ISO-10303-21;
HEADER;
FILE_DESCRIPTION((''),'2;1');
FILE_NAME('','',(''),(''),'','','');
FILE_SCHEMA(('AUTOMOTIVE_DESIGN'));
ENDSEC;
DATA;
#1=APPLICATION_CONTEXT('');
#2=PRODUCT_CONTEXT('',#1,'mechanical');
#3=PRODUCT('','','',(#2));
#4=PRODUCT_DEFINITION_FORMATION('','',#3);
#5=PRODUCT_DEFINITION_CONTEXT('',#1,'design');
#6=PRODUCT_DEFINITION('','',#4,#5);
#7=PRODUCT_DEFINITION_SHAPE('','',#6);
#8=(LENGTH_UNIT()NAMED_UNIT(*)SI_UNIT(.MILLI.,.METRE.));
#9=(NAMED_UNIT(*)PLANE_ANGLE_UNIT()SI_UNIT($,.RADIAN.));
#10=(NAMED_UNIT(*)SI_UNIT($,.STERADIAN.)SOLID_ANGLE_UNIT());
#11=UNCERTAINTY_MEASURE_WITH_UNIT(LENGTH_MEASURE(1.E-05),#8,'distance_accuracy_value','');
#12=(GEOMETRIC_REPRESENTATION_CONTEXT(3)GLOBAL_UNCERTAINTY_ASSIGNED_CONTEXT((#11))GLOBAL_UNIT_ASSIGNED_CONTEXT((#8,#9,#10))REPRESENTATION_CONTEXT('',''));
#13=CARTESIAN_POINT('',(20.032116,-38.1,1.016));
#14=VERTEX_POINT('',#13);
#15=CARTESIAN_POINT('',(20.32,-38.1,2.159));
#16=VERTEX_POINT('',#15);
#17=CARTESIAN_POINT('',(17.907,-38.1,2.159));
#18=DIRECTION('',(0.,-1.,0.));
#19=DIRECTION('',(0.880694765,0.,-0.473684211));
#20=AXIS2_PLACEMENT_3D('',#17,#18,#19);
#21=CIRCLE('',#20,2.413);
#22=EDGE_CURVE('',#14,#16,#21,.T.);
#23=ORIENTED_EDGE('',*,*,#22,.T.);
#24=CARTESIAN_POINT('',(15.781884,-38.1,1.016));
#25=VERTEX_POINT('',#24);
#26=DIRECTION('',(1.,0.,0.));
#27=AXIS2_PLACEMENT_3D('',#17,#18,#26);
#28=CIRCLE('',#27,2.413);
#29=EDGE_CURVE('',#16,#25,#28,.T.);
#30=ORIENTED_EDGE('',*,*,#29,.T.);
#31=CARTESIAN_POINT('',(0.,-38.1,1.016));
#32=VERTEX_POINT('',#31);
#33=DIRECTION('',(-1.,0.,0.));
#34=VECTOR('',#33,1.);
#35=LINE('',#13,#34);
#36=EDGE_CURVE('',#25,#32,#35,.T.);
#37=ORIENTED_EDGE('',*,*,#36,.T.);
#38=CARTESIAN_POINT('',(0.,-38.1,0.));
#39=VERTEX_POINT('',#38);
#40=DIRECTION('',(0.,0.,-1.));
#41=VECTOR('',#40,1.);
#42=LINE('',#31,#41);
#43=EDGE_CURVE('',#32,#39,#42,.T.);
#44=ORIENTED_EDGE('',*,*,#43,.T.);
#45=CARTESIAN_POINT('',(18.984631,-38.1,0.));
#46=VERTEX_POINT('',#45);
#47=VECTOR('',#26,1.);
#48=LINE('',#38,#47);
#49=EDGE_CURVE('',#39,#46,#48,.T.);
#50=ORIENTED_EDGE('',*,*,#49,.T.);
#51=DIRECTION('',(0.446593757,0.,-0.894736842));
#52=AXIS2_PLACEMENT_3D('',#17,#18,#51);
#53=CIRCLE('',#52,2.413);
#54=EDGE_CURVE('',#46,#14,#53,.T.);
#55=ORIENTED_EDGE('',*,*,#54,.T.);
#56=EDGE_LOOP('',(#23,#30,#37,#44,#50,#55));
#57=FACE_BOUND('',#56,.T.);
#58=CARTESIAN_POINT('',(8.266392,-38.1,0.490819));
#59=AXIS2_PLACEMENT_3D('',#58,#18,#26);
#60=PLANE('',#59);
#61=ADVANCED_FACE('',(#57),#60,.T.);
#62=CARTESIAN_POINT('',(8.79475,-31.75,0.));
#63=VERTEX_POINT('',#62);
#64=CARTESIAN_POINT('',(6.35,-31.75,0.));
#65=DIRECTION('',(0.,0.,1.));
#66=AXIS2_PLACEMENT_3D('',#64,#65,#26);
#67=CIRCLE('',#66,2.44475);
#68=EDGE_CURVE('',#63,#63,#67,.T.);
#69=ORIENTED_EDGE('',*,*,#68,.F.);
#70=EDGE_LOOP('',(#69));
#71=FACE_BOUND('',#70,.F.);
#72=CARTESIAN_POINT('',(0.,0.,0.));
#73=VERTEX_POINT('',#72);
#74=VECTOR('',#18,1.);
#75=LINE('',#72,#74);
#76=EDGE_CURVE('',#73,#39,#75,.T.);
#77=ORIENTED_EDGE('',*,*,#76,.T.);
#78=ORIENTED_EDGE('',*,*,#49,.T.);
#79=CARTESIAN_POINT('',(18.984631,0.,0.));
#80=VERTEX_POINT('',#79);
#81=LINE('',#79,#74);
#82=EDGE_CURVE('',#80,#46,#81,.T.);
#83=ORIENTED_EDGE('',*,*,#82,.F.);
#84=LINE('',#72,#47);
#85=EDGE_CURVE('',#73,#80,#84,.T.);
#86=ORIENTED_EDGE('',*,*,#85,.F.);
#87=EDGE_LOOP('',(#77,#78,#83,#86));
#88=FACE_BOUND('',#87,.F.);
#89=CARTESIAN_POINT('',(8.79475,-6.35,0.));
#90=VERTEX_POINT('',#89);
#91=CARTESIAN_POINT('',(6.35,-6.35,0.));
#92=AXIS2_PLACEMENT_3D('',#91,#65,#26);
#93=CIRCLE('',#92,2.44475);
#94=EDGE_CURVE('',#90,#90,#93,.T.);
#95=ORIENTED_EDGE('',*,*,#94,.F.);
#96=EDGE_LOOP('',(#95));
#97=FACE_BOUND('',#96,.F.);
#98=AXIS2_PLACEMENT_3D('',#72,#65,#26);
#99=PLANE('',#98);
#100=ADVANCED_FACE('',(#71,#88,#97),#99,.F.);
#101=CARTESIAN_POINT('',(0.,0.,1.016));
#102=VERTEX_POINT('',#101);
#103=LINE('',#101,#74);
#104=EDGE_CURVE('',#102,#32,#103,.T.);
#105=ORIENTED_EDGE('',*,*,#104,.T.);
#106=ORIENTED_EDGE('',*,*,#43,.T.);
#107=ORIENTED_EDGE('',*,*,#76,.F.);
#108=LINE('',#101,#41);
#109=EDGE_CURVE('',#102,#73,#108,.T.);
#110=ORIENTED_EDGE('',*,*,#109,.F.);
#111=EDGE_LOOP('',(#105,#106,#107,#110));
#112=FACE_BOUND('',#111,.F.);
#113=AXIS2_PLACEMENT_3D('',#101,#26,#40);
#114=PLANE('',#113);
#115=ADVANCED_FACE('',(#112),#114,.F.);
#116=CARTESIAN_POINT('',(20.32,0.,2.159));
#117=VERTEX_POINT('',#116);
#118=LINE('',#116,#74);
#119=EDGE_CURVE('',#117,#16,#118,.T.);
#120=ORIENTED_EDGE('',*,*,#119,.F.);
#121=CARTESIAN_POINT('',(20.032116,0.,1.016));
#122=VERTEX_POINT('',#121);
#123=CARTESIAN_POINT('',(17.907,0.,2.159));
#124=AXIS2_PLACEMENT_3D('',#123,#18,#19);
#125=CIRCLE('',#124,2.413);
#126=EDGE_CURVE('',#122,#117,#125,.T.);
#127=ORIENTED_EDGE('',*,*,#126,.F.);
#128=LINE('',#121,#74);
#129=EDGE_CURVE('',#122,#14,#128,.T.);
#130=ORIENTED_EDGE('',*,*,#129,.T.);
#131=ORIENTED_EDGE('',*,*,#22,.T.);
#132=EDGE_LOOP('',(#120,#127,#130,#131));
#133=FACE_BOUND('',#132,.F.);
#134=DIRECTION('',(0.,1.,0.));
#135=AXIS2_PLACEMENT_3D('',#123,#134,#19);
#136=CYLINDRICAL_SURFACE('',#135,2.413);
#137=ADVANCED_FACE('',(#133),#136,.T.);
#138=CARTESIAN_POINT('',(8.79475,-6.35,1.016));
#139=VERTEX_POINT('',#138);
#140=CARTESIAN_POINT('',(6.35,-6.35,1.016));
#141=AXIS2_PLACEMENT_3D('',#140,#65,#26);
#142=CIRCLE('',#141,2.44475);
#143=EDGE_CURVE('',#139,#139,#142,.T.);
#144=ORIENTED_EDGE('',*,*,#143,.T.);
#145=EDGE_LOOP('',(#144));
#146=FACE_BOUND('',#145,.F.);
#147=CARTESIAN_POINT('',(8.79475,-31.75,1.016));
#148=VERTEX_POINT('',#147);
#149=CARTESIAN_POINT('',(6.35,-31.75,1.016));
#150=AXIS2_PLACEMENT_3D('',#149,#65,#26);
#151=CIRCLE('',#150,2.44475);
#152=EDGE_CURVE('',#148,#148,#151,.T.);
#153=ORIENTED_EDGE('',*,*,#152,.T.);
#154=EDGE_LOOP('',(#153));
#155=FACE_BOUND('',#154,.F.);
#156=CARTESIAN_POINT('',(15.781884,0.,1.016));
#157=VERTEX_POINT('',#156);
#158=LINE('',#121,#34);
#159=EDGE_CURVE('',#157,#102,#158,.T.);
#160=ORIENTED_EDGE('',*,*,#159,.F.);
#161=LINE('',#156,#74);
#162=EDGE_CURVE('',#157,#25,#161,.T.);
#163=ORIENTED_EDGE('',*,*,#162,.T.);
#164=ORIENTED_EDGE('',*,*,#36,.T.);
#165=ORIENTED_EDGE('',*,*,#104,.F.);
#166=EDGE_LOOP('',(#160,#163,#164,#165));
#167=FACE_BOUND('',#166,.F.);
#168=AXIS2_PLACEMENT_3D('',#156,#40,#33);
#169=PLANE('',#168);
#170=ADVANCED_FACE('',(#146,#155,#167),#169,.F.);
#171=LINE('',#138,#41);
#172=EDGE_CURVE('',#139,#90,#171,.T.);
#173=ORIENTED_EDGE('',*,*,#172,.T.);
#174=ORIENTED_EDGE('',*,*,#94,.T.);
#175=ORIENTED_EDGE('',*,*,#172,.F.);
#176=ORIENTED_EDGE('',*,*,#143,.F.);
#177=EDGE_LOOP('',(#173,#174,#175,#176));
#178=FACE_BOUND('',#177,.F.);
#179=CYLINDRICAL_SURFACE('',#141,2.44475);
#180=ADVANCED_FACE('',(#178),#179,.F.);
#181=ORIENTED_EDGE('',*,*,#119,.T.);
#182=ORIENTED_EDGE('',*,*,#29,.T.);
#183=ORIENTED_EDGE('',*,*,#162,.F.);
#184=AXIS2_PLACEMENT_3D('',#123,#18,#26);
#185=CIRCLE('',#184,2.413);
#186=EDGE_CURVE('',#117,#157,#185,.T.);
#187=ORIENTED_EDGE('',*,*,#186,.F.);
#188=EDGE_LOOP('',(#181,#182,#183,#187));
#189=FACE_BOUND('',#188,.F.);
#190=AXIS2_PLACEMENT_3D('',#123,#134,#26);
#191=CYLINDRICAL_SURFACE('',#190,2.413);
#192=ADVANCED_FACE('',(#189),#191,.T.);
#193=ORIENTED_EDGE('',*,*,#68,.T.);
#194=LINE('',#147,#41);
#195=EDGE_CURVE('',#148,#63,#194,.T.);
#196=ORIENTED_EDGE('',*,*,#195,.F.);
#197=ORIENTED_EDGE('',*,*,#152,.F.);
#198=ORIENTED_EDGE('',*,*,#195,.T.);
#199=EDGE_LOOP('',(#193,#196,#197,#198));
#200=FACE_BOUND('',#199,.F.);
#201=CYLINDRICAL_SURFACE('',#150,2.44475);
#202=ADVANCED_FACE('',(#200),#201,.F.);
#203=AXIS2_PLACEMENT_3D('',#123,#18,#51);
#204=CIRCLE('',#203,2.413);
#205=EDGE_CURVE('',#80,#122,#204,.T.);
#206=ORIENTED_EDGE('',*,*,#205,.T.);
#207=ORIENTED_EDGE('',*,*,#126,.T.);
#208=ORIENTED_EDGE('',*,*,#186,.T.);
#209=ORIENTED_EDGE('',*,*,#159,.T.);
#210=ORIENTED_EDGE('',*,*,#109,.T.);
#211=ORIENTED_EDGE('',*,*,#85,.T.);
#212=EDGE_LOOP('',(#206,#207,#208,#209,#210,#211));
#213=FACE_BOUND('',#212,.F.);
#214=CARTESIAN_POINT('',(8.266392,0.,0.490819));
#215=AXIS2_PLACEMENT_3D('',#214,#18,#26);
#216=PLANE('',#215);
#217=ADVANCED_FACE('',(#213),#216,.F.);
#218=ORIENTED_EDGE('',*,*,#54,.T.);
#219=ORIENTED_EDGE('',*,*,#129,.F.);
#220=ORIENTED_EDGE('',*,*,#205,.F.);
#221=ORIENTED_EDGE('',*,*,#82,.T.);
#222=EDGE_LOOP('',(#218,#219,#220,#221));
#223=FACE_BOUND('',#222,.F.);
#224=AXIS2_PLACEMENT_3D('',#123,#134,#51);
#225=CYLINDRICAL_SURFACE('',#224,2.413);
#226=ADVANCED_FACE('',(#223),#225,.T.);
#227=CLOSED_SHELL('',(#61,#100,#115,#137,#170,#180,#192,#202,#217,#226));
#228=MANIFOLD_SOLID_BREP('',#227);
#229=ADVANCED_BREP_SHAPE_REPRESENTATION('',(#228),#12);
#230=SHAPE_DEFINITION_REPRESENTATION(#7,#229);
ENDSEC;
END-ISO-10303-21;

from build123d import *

# Parameters (mm, degrees)
F1_DEPTH = 38.1
F2_R     = 2.44475
F3_DEPTH = 25.4


with BuildPart() as f1:
    # F0 (on Front) → F1 (new body)
    with BuildSketch(Plane.XZ):
        with BuildLine():
            Line((0, 1.016), (0, 0))
            Line((0, 0), (16.8293692655, 0))
            ThreePointArc((16.8293692655, 0), (16.2269817234, 0.4269181341), (15.7818835326, 1.016))
            Line((15.7818835326, 1.016), (0, 1.016))
        make_face()
        with BuildLine():
            ThreePointArc((15.7818835326, 1.016), (16.2269817234, 0.4269181341), (16.8293692655, 0))
            Line((16.8293692655, 0), (18.9846307345, 0))
            ThreePointArc((18.9846307345, 0), (19.5870182766, 0.4269181341), (20.0321164674, 1.016))
            Line((20.0321164674, 1.016), (15.7818835326, 1.016))
        make_face()
        with BuildLine():
            ThreePointArc((20.32, 2.159), (17.3176516462, 4.4989225453), (15.7818835326, 1.016))
            Line((15.7818835326, 1.016), (20.0321164674, 1.016))
            ThreePointArc((20.0321164674, 1.016), (20.2469225453, 1.5696516462), (20.32, 2.159))
        make_face()
    extrude(amount=F1_DEPTH)

    # F2 (on face) → F3 (cut)
    with BuildSketch(Plane.XY.offset(1.016)):
        with Locations((6.35, -6.35)):
            Circle(F2_R)
        with Locations((6.35, -31.75)):
            Circle(F2_R)
    extrude(amount=-F3_DEPTH, mode=Mode.SUBTRACT)


solid = f1.part
